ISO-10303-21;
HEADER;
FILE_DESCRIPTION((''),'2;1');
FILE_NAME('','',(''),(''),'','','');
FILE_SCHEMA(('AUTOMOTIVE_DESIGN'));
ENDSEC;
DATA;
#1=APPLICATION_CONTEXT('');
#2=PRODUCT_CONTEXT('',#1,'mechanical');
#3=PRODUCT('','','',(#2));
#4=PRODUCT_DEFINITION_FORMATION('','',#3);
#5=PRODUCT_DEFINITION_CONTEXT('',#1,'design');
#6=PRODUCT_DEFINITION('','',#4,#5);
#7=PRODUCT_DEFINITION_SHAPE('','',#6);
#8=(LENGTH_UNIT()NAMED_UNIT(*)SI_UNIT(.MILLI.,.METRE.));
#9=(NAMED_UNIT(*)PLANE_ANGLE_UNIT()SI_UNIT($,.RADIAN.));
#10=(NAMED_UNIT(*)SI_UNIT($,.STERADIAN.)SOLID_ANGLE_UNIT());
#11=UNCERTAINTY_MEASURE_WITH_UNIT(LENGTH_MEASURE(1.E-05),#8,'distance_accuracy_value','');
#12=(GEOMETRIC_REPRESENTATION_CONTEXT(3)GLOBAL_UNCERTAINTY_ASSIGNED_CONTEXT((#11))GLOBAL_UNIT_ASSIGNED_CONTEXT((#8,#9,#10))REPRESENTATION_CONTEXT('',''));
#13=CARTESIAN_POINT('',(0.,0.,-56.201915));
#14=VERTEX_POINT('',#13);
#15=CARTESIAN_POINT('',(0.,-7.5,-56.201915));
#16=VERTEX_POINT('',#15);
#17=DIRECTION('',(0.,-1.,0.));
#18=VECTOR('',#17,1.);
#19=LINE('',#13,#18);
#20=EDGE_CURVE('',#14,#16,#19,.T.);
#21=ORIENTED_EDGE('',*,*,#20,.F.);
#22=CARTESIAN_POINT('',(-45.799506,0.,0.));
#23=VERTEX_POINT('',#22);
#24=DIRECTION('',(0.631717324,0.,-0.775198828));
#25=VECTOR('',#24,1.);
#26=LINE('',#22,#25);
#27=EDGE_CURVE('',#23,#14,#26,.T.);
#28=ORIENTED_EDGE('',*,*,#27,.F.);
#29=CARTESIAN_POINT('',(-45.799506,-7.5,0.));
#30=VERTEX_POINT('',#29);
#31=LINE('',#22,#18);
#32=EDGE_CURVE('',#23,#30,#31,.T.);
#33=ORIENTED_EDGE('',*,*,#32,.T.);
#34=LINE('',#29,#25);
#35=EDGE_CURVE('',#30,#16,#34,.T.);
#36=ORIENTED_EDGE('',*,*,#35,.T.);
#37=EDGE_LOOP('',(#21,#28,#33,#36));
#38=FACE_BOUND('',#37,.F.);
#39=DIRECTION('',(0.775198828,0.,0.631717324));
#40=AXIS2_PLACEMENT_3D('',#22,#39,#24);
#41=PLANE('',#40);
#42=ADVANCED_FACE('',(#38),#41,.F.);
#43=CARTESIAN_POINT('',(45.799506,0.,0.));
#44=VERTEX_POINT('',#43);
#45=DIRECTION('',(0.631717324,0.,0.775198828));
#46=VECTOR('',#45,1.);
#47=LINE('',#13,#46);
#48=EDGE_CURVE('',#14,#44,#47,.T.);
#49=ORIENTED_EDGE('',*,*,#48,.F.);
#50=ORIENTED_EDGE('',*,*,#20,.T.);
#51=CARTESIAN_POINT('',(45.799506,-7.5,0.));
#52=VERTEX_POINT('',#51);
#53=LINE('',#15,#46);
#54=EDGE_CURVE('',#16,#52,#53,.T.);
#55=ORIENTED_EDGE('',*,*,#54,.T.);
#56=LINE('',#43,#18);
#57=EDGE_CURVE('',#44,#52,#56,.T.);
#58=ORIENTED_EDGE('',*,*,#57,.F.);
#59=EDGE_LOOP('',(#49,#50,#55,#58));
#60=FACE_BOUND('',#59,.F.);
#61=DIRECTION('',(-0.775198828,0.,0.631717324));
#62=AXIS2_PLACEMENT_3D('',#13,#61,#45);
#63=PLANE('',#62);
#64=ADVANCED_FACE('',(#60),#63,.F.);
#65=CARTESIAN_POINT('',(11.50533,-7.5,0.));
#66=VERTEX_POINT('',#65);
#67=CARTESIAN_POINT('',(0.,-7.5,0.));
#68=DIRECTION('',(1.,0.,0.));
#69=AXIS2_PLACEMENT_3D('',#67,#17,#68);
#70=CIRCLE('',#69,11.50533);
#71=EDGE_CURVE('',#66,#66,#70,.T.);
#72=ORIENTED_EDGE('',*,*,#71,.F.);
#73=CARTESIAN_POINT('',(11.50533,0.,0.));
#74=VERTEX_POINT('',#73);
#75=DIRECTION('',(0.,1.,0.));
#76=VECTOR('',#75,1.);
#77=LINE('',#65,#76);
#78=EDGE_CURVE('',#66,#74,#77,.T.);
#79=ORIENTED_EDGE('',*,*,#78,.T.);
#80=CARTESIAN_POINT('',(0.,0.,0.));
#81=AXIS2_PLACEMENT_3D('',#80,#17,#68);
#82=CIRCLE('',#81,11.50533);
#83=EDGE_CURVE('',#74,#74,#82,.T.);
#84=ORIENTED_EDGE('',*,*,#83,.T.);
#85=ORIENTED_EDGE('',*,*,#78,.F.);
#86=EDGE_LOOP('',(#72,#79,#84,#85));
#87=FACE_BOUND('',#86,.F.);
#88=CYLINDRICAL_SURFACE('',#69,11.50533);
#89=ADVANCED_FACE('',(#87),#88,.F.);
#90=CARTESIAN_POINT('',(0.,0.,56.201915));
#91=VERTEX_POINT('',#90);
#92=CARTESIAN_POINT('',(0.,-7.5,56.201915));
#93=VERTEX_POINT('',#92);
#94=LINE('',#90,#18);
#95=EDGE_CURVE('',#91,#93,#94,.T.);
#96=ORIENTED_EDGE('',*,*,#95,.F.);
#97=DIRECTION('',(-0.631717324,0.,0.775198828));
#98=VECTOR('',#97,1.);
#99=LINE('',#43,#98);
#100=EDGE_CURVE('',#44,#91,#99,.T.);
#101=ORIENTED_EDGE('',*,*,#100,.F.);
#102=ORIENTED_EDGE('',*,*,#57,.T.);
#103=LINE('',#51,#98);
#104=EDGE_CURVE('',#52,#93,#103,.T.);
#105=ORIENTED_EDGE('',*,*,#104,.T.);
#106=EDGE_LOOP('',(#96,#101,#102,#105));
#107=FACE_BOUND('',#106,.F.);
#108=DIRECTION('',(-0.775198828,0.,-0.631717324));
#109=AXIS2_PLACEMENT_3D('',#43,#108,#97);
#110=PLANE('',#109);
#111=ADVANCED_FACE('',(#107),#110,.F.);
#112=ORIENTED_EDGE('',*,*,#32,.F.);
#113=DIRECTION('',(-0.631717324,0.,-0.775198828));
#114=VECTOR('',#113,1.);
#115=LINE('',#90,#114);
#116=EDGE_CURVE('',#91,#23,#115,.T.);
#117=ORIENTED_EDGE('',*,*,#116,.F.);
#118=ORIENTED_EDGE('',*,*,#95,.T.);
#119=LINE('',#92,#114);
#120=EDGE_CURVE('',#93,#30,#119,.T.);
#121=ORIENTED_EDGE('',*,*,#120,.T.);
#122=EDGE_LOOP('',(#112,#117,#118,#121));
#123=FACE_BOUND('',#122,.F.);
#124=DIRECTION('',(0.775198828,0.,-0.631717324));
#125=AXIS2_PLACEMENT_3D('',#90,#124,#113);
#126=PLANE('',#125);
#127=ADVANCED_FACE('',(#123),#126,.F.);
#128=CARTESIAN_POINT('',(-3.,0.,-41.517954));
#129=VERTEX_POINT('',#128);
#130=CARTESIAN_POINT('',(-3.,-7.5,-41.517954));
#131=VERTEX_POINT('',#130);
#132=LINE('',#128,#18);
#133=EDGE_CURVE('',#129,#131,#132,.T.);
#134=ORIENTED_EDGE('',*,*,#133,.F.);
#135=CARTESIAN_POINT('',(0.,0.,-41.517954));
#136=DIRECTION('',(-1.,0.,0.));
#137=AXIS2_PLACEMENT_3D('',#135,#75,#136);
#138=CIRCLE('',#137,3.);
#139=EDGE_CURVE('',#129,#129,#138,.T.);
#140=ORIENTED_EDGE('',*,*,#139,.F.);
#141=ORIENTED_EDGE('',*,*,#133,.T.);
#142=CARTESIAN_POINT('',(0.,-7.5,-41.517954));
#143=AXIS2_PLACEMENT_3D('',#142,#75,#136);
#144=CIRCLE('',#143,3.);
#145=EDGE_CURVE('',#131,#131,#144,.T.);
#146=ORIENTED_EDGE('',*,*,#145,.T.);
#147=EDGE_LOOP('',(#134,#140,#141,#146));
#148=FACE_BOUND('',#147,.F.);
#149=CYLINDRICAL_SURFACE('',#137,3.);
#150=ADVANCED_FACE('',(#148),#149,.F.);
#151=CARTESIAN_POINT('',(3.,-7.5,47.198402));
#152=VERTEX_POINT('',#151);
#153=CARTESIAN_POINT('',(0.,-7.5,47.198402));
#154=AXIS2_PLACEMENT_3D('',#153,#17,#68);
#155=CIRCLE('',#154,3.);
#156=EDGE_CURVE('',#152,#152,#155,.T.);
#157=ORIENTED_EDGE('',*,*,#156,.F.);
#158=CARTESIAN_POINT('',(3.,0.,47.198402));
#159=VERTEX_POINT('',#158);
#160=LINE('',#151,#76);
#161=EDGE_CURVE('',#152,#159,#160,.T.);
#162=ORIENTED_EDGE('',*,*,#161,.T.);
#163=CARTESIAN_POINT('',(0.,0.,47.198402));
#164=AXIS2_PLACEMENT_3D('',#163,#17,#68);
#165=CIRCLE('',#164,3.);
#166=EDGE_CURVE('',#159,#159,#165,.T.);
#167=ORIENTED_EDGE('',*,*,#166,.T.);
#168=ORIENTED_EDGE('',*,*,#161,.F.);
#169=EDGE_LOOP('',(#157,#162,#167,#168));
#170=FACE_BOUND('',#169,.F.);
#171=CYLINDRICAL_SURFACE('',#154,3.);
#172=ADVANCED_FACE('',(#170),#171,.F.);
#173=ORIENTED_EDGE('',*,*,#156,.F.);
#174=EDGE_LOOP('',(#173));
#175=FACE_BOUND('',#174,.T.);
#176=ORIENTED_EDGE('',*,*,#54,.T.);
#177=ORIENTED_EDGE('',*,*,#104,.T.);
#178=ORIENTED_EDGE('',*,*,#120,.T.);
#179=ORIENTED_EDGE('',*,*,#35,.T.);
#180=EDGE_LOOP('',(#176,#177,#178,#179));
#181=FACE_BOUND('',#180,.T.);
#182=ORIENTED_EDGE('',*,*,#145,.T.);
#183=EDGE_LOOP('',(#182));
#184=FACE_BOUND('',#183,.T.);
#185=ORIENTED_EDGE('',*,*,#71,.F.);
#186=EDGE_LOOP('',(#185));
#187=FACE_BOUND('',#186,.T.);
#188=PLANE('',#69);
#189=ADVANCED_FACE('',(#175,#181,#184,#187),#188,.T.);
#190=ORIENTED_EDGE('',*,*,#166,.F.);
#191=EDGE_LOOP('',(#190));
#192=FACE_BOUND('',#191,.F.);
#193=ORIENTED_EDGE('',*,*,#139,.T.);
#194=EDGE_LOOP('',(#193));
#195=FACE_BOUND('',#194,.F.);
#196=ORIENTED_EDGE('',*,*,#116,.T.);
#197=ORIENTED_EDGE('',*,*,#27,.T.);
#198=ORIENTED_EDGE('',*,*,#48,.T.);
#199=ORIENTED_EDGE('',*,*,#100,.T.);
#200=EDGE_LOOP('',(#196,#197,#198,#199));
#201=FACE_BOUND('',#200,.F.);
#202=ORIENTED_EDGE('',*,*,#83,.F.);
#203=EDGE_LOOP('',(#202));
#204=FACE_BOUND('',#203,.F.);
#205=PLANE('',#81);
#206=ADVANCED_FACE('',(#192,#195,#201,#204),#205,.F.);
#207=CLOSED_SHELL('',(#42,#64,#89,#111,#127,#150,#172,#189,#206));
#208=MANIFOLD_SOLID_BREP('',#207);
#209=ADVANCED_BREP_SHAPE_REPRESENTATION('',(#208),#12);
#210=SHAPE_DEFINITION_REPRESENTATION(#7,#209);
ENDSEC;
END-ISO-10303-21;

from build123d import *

# Parameters (mm, degrees)
F1_DEPTH = 7.5
F2_R     = 11.50533
F3_DEPTH = 25
F4_R     = 3
F5_DEPTH = 25
F6_R     = 3
F7_DEPTH = 25


with BuildPart() as f1:
    # F0 (on Front) → F1 (new body)
    with BuildSketch(Plane.XZ):
        Polygon((45.799506, 0), (0, 56.201915), (-45.799506, 0), (0, -56.201915), align=None)
    extrude(amount=F1_DEPTH)

    # F2 (on face) → F3 (cut)
    with BuildSketch(Plane.XZ.offset(7.5)):
        Circle(F2_R)
    extrude(amount=-F3_DEPTH, mode=Mode.SUBTRACT)

    # F4 (on face) → F5 (cut)
    with BuildSketch(Plane.XZ.offset(7.5)):
        with Locations((0, 47.198402)):
            Circle(F4_R)
    extrude(amount=-F5_DEPTH, mode=Mode.SUBTRACT)

    # F6 (on face) → F7 (cut)
    with BuildSketch(Plane(origin=(0, 0, 0), x_dir=(-1, 0, 0), z_dir=(0, 1, 0))):
        with Locations((0, -41.517954)):
            Circle(F6_R)
    extrude(amount=-F7_DEPTH, mode=Mode.SUBTRACT)


solid = f1.part
